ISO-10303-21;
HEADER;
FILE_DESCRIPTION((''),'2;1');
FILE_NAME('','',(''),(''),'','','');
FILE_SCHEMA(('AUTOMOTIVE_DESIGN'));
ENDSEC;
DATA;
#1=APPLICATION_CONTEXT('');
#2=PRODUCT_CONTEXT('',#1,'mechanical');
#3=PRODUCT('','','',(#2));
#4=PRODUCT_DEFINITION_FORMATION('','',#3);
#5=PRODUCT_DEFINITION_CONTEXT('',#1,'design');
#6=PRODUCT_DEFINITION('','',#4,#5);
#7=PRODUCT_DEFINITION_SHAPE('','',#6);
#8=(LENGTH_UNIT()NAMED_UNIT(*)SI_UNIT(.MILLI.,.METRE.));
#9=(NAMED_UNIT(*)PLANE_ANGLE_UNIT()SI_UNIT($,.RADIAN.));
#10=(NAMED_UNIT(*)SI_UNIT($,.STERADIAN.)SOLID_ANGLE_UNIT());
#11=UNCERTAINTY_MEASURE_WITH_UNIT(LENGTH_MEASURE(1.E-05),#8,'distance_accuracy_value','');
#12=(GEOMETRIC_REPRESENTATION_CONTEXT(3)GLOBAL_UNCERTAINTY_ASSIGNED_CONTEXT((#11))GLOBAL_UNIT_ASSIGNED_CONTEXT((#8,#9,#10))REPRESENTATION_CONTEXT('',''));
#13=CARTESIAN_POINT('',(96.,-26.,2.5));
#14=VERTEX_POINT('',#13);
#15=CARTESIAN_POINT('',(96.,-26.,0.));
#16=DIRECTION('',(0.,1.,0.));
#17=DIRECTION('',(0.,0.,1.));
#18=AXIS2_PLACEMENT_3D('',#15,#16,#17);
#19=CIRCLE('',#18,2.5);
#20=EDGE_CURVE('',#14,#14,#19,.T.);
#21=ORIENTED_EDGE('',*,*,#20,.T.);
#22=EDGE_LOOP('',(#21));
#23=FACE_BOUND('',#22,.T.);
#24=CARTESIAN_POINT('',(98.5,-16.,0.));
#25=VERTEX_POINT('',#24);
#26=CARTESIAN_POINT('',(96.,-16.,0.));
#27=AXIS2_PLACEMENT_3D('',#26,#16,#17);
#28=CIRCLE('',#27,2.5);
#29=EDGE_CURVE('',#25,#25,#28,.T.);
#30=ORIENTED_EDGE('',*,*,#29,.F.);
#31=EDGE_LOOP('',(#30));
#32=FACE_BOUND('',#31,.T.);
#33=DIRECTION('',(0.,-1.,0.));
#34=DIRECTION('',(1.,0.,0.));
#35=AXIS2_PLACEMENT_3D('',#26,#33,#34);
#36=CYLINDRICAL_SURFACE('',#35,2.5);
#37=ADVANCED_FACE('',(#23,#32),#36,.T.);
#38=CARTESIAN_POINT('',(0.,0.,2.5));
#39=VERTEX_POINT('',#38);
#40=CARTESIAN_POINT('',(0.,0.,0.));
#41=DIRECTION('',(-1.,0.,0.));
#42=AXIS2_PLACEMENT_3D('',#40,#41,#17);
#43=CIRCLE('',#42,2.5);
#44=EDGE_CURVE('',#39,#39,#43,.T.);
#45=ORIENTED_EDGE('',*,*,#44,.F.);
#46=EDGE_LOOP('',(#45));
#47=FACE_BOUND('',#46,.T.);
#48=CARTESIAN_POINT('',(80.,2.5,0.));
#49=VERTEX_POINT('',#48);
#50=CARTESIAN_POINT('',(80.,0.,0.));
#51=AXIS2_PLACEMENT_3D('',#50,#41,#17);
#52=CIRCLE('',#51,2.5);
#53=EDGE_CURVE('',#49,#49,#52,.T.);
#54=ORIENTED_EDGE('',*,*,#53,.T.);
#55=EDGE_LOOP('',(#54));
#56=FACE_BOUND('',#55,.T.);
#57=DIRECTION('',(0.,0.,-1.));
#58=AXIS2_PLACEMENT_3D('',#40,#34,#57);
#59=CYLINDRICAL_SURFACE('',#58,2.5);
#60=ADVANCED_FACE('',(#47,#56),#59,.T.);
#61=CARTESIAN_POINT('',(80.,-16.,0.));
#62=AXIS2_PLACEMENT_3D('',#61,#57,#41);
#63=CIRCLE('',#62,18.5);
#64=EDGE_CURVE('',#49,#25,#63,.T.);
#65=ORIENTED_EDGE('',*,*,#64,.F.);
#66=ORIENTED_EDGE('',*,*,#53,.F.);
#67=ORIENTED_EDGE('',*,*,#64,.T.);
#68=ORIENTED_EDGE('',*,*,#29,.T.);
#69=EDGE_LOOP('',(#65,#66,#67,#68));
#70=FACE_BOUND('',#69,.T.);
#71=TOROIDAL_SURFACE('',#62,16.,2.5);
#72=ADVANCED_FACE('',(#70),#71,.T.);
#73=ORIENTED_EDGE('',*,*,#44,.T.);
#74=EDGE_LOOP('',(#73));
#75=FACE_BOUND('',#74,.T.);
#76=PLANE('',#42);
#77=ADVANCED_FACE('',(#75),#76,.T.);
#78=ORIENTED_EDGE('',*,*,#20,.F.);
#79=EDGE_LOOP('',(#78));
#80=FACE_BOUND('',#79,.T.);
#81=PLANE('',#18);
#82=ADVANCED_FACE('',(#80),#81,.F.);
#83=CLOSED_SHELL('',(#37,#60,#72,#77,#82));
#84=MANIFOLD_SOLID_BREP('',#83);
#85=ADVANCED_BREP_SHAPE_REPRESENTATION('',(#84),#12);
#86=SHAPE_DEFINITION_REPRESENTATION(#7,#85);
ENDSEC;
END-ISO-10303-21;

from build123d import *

# Parameters (mm, degrees)
SWEEP1_PROFILE_R = 2.5


with BuildPart() as part:
    # Sweep1: sweep along a path in Sketch1
    with BuildLine(Plane.XY) as sweep1_path:
        Line((0, 0), (80, 0))
        ThreePointArc((80, 0), (91.313708499, -4.686291501), (96, -16))
        Line((96, -16), (96, -26))
    # Sweep1 profile (on start of the path) → Sweep1 (sweep)
    with BuildSketch(Plane(origin=(0, 0, 0), x_dir=(0, 0, 1), z_dir=(1, 0, 0))):
        Circle(SWEEP1_PROFILE_R)
    sweep(path=sweep1_path.line)


solid = part.part
